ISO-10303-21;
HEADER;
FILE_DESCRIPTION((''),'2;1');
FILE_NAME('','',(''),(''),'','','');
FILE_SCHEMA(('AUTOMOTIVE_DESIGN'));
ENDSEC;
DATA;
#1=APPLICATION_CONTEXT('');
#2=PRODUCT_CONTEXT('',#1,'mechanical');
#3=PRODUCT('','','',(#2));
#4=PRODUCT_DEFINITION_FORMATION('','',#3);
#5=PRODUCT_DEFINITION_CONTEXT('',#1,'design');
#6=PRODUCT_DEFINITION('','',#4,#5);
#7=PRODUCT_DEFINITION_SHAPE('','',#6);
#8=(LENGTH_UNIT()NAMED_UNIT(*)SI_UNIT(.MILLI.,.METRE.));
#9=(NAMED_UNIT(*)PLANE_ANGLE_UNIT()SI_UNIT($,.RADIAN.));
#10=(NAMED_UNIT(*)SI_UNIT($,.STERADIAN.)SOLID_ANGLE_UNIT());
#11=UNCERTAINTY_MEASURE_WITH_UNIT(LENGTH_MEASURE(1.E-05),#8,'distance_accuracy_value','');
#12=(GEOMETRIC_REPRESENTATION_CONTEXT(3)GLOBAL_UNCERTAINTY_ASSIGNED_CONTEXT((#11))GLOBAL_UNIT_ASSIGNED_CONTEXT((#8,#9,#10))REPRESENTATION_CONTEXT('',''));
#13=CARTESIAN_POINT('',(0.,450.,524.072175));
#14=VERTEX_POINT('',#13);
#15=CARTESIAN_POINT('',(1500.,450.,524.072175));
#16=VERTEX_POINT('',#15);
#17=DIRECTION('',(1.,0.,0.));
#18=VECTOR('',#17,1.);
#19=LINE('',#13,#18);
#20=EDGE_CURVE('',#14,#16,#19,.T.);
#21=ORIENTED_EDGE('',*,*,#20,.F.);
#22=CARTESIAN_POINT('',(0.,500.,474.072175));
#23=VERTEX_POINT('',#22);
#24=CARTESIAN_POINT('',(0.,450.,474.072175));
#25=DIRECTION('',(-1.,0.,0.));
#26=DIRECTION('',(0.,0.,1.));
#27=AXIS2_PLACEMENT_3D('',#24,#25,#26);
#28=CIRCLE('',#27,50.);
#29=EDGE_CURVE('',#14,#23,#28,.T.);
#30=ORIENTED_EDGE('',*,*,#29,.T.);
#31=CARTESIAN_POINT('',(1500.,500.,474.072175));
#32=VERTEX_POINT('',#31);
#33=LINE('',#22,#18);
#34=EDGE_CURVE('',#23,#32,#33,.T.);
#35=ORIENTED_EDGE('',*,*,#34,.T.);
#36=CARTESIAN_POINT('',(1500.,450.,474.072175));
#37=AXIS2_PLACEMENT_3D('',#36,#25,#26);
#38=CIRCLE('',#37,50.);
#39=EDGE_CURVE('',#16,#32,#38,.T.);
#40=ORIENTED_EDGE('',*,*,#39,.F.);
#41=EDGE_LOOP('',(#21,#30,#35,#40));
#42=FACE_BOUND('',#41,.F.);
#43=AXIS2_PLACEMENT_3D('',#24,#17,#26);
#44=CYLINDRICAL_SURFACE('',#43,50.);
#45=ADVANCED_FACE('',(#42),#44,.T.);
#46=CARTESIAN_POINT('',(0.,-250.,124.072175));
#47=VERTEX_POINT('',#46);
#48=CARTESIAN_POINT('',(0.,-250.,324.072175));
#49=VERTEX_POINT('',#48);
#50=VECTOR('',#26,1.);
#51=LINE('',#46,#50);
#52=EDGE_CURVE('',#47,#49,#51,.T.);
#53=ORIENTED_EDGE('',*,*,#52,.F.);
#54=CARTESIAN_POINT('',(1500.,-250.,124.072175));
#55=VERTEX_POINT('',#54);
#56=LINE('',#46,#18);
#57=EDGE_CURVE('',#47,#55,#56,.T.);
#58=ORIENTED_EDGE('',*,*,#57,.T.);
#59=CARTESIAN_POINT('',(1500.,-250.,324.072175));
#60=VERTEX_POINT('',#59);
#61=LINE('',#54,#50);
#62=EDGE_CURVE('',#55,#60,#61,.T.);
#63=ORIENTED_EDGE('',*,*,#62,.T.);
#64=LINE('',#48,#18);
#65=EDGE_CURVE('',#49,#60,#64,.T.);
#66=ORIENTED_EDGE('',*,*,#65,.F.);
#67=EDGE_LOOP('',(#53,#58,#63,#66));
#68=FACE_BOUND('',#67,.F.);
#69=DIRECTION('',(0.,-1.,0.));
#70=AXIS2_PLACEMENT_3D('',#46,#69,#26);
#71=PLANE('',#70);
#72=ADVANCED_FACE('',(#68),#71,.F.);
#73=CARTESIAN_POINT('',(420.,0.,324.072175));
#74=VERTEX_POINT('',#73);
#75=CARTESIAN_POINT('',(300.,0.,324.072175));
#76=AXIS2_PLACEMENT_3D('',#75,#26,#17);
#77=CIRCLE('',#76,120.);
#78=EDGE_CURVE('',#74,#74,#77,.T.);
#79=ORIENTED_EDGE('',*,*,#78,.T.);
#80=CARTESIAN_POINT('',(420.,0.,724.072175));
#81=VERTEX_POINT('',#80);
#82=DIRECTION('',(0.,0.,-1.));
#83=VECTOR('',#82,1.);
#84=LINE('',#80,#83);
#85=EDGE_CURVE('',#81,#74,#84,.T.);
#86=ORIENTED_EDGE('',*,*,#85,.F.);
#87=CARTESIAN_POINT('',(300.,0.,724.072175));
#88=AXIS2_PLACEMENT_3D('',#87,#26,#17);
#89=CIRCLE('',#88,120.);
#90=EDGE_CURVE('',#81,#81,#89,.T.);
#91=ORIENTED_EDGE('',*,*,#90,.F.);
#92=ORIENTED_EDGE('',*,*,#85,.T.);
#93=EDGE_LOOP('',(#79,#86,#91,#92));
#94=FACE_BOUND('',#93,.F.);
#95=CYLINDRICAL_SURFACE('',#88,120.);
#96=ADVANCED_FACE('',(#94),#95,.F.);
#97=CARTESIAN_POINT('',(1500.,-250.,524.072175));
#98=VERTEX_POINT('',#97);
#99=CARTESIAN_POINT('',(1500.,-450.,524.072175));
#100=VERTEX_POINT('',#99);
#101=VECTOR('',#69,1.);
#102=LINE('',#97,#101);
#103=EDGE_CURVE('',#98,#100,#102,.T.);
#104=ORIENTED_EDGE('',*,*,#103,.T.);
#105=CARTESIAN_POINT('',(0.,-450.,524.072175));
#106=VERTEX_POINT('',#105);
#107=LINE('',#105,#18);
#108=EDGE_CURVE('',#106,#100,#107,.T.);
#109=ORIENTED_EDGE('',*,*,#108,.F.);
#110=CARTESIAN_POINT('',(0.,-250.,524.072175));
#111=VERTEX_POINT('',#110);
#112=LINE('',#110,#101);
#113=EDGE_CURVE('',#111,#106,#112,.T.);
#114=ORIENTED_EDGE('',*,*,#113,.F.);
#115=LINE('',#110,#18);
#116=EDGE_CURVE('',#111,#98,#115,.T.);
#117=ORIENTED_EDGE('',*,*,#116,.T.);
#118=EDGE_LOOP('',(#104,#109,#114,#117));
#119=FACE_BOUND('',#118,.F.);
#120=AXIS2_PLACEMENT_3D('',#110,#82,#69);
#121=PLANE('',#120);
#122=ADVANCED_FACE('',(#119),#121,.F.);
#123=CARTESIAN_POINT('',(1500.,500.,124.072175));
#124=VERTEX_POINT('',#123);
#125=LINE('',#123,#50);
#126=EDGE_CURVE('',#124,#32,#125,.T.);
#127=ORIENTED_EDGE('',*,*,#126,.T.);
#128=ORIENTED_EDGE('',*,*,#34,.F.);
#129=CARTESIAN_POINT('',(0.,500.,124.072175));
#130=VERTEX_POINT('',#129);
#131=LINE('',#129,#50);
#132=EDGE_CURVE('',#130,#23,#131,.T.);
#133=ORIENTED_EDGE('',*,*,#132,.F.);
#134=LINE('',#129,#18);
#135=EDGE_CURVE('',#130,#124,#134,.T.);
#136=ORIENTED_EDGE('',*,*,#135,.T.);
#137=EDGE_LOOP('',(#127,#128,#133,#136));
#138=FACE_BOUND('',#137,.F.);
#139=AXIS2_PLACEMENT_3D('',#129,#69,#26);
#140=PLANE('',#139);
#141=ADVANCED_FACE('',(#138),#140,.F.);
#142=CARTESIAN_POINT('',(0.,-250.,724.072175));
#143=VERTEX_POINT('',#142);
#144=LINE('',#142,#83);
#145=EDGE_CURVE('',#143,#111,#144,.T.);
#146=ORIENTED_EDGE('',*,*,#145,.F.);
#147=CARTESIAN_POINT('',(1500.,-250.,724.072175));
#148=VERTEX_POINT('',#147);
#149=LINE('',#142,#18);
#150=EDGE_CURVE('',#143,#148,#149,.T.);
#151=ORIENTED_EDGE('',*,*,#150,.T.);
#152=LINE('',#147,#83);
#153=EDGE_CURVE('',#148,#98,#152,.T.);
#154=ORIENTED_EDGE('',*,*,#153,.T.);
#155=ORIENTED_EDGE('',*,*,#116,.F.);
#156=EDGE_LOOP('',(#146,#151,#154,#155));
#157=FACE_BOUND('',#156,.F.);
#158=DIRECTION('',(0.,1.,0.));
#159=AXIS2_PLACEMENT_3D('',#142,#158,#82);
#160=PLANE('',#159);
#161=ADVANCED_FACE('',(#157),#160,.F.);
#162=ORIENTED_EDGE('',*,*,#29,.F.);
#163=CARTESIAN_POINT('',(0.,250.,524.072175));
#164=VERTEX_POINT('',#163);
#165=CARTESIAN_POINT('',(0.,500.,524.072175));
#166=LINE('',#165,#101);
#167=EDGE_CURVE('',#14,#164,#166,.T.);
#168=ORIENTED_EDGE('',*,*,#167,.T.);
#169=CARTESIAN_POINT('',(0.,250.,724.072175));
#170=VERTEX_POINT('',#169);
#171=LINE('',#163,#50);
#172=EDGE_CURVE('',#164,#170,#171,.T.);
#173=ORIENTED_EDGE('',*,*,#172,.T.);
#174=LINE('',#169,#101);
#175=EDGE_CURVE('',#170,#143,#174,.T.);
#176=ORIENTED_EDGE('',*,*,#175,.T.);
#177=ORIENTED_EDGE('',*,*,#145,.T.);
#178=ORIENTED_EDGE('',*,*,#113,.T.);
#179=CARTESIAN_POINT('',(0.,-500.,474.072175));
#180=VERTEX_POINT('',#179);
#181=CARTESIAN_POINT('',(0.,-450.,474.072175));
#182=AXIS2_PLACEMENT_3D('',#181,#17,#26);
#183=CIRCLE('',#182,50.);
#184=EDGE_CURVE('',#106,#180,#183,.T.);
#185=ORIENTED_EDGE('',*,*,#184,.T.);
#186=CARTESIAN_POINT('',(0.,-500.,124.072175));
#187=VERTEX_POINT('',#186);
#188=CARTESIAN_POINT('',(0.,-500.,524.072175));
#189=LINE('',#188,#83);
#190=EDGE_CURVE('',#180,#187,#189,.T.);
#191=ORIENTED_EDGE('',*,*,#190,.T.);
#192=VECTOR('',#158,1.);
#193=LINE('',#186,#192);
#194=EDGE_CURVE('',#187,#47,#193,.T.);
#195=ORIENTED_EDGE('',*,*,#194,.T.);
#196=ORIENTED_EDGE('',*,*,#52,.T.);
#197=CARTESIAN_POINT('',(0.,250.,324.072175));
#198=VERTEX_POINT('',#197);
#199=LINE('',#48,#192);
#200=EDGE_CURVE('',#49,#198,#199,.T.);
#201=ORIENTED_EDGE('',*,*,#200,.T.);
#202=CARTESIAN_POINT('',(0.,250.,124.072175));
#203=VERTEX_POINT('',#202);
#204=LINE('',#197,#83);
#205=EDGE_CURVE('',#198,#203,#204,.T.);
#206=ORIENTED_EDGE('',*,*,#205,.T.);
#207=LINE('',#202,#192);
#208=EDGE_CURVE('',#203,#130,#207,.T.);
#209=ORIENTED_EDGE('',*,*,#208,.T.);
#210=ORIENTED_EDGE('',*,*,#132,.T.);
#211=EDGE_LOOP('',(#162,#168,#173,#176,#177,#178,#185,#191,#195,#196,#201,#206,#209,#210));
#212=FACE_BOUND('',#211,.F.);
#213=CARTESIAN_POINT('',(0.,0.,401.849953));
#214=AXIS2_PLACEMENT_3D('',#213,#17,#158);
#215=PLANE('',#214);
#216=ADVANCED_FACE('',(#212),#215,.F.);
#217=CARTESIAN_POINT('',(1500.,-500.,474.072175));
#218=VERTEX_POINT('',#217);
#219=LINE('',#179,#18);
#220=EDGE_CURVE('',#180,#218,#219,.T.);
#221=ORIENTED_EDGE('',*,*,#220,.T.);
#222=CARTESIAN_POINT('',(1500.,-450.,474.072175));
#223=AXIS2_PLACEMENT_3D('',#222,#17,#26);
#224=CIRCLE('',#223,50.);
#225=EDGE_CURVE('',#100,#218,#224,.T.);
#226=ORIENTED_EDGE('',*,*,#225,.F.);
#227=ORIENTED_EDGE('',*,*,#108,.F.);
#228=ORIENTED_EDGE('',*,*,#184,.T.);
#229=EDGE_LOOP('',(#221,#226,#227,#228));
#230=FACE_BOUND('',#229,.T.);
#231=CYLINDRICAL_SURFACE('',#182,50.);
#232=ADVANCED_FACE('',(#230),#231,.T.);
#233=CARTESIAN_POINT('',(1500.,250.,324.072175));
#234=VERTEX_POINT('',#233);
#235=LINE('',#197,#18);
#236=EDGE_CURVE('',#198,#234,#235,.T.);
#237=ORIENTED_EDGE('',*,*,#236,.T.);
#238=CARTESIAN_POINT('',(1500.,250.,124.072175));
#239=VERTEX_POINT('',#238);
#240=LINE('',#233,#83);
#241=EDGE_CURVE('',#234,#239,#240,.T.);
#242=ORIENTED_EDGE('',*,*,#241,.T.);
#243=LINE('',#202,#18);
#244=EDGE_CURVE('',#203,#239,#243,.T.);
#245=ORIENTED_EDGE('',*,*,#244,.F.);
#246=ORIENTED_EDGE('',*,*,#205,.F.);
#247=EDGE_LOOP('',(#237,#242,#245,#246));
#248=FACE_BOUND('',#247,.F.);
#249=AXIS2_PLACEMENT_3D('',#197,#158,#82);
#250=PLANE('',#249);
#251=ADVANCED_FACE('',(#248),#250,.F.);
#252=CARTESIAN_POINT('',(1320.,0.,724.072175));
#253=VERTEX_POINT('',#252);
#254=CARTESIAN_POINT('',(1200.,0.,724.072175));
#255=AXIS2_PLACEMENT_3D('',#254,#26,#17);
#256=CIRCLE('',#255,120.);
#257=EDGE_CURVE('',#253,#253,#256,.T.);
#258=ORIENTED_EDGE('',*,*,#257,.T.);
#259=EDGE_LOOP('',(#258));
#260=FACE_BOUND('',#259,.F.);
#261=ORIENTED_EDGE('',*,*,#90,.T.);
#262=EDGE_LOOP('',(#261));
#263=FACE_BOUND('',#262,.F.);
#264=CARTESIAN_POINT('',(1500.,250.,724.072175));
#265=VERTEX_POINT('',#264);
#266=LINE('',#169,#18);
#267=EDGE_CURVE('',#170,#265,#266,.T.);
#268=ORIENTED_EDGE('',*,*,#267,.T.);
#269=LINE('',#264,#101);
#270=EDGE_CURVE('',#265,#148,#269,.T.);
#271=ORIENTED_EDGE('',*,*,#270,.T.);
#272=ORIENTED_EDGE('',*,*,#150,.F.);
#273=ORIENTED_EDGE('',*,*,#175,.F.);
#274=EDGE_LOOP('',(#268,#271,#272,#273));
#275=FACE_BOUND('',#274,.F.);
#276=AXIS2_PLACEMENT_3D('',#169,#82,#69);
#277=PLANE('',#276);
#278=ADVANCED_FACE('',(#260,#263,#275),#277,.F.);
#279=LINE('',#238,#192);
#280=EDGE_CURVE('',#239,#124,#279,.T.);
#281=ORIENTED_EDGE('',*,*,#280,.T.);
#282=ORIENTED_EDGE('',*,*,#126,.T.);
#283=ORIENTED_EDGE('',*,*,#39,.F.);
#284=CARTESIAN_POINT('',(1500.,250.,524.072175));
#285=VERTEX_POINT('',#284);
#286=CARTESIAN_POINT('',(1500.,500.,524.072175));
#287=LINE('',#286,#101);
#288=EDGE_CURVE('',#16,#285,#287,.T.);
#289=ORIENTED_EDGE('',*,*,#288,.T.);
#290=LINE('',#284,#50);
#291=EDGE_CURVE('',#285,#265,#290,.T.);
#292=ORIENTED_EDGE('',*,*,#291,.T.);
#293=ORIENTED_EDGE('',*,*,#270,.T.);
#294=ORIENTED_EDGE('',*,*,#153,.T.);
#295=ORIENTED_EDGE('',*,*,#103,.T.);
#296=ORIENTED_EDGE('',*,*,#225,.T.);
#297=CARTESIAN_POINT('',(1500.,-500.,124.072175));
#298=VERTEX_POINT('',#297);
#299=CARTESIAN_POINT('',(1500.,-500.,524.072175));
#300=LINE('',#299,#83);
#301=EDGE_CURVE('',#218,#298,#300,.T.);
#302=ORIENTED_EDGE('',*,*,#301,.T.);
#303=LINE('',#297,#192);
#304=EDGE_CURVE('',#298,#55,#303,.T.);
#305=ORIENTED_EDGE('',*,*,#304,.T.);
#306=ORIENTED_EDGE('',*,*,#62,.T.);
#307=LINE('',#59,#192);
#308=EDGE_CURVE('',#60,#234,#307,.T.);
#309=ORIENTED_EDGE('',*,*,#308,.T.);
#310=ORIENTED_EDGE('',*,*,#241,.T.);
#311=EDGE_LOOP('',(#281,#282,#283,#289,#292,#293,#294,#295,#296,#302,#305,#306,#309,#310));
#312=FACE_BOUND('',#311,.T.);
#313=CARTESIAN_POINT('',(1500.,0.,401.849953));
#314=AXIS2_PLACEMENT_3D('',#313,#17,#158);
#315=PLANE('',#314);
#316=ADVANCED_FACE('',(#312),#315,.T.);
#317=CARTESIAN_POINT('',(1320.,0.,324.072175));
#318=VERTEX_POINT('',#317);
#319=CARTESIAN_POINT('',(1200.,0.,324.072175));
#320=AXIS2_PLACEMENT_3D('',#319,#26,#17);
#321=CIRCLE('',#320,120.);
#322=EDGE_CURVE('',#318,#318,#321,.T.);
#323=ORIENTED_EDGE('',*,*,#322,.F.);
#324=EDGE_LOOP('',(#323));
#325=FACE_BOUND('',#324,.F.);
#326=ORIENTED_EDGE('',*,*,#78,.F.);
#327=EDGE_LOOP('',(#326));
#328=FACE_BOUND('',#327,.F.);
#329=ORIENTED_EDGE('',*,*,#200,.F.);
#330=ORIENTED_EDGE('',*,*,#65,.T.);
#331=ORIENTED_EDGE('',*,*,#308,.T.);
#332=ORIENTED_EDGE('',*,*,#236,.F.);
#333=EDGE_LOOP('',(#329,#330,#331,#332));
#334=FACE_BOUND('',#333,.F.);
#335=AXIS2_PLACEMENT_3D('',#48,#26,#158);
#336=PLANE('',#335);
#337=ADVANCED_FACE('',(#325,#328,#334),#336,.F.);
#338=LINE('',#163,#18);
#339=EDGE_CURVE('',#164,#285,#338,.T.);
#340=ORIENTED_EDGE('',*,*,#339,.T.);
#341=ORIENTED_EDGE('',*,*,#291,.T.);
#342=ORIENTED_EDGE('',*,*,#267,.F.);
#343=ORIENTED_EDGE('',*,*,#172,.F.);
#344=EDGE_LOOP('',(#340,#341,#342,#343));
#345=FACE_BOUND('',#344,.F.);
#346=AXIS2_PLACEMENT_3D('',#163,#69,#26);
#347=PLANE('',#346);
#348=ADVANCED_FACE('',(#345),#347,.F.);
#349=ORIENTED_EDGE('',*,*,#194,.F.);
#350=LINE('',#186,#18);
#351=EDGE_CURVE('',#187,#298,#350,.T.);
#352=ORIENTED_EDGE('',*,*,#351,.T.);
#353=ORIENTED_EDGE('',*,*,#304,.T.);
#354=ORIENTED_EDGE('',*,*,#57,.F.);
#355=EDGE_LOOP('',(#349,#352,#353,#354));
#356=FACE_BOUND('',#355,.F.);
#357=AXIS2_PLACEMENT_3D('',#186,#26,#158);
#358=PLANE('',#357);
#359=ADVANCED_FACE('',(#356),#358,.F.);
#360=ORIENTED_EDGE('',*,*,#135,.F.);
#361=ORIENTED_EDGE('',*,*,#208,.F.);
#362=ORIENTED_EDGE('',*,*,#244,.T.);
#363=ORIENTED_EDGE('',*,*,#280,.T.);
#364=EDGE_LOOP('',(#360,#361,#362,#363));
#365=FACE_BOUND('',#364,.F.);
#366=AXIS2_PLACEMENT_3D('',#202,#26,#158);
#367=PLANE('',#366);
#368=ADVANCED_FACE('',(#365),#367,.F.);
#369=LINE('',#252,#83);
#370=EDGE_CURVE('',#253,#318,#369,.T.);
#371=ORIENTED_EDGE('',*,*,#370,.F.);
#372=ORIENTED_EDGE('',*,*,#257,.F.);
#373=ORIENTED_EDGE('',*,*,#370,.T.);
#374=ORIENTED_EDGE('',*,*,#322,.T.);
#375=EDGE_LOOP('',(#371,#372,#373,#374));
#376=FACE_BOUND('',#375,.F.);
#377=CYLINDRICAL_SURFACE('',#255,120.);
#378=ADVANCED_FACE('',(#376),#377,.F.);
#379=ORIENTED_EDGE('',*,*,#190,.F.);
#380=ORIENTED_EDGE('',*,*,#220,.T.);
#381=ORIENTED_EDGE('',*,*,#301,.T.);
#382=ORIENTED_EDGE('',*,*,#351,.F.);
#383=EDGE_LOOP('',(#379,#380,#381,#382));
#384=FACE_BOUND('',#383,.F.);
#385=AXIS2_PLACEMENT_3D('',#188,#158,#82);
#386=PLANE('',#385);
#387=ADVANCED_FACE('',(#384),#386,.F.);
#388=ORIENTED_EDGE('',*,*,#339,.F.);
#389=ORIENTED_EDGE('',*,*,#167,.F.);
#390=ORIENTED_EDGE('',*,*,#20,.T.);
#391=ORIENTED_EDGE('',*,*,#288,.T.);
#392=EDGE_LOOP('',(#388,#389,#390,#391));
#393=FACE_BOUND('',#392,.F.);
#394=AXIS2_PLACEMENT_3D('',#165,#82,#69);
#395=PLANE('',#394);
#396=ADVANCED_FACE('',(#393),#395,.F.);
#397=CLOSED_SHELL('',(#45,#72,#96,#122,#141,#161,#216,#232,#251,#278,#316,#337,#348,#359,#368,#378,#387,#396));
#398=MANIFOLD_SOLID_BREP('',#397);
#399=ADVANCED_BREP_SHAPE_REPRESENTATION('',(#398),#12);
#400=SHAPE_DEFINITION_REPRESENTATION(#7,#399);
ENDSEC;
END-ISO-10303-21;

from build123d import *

# Parameters (mm, degrees)
F1_DEPTH = 1500
F2_R     = 120
F3_DEPTH = 715
F4_R     = 50


with BuildPart() as f1:
    # F0 (on Right) → F1 (new body)
    with BuildSketch(Plane.YZ):
        Polygon((250, 724.072175), (0, 724.072175), (-250, 724.072175), (-250, 524.072175), (-500, 524.072175), (-500, 124.072175), (-250, 124.072175), (-250, 324.072175), (0, 324.072175), (250, 324.072175), (250, 124.072175), (500, 124.072175), (500, 524.072175), (250, 524.072175), align=None)
    extrude(amount=F1_DEPTH)

    # F2 (on face) → F3 (cut)
    with BuildSketch(Plane.XY.offset(724.072175)):
        with Locations((300, 0)):
            Circle(F2_R)
        with Locations((1200, 0)):
            Circle(F2_R)
    extrude(amount=-F3_DEPTH, mode=Mode.SUBTRACT)

    # F4
    f4_edges = [f1.edges().sort_by_distance(p)[0] for p in [
        (750, -500, 524.072175),
        (750, 500, 524.072175),
    ]]
    fillet(f4_edges, radius=F4_R)


solid = f1.part
